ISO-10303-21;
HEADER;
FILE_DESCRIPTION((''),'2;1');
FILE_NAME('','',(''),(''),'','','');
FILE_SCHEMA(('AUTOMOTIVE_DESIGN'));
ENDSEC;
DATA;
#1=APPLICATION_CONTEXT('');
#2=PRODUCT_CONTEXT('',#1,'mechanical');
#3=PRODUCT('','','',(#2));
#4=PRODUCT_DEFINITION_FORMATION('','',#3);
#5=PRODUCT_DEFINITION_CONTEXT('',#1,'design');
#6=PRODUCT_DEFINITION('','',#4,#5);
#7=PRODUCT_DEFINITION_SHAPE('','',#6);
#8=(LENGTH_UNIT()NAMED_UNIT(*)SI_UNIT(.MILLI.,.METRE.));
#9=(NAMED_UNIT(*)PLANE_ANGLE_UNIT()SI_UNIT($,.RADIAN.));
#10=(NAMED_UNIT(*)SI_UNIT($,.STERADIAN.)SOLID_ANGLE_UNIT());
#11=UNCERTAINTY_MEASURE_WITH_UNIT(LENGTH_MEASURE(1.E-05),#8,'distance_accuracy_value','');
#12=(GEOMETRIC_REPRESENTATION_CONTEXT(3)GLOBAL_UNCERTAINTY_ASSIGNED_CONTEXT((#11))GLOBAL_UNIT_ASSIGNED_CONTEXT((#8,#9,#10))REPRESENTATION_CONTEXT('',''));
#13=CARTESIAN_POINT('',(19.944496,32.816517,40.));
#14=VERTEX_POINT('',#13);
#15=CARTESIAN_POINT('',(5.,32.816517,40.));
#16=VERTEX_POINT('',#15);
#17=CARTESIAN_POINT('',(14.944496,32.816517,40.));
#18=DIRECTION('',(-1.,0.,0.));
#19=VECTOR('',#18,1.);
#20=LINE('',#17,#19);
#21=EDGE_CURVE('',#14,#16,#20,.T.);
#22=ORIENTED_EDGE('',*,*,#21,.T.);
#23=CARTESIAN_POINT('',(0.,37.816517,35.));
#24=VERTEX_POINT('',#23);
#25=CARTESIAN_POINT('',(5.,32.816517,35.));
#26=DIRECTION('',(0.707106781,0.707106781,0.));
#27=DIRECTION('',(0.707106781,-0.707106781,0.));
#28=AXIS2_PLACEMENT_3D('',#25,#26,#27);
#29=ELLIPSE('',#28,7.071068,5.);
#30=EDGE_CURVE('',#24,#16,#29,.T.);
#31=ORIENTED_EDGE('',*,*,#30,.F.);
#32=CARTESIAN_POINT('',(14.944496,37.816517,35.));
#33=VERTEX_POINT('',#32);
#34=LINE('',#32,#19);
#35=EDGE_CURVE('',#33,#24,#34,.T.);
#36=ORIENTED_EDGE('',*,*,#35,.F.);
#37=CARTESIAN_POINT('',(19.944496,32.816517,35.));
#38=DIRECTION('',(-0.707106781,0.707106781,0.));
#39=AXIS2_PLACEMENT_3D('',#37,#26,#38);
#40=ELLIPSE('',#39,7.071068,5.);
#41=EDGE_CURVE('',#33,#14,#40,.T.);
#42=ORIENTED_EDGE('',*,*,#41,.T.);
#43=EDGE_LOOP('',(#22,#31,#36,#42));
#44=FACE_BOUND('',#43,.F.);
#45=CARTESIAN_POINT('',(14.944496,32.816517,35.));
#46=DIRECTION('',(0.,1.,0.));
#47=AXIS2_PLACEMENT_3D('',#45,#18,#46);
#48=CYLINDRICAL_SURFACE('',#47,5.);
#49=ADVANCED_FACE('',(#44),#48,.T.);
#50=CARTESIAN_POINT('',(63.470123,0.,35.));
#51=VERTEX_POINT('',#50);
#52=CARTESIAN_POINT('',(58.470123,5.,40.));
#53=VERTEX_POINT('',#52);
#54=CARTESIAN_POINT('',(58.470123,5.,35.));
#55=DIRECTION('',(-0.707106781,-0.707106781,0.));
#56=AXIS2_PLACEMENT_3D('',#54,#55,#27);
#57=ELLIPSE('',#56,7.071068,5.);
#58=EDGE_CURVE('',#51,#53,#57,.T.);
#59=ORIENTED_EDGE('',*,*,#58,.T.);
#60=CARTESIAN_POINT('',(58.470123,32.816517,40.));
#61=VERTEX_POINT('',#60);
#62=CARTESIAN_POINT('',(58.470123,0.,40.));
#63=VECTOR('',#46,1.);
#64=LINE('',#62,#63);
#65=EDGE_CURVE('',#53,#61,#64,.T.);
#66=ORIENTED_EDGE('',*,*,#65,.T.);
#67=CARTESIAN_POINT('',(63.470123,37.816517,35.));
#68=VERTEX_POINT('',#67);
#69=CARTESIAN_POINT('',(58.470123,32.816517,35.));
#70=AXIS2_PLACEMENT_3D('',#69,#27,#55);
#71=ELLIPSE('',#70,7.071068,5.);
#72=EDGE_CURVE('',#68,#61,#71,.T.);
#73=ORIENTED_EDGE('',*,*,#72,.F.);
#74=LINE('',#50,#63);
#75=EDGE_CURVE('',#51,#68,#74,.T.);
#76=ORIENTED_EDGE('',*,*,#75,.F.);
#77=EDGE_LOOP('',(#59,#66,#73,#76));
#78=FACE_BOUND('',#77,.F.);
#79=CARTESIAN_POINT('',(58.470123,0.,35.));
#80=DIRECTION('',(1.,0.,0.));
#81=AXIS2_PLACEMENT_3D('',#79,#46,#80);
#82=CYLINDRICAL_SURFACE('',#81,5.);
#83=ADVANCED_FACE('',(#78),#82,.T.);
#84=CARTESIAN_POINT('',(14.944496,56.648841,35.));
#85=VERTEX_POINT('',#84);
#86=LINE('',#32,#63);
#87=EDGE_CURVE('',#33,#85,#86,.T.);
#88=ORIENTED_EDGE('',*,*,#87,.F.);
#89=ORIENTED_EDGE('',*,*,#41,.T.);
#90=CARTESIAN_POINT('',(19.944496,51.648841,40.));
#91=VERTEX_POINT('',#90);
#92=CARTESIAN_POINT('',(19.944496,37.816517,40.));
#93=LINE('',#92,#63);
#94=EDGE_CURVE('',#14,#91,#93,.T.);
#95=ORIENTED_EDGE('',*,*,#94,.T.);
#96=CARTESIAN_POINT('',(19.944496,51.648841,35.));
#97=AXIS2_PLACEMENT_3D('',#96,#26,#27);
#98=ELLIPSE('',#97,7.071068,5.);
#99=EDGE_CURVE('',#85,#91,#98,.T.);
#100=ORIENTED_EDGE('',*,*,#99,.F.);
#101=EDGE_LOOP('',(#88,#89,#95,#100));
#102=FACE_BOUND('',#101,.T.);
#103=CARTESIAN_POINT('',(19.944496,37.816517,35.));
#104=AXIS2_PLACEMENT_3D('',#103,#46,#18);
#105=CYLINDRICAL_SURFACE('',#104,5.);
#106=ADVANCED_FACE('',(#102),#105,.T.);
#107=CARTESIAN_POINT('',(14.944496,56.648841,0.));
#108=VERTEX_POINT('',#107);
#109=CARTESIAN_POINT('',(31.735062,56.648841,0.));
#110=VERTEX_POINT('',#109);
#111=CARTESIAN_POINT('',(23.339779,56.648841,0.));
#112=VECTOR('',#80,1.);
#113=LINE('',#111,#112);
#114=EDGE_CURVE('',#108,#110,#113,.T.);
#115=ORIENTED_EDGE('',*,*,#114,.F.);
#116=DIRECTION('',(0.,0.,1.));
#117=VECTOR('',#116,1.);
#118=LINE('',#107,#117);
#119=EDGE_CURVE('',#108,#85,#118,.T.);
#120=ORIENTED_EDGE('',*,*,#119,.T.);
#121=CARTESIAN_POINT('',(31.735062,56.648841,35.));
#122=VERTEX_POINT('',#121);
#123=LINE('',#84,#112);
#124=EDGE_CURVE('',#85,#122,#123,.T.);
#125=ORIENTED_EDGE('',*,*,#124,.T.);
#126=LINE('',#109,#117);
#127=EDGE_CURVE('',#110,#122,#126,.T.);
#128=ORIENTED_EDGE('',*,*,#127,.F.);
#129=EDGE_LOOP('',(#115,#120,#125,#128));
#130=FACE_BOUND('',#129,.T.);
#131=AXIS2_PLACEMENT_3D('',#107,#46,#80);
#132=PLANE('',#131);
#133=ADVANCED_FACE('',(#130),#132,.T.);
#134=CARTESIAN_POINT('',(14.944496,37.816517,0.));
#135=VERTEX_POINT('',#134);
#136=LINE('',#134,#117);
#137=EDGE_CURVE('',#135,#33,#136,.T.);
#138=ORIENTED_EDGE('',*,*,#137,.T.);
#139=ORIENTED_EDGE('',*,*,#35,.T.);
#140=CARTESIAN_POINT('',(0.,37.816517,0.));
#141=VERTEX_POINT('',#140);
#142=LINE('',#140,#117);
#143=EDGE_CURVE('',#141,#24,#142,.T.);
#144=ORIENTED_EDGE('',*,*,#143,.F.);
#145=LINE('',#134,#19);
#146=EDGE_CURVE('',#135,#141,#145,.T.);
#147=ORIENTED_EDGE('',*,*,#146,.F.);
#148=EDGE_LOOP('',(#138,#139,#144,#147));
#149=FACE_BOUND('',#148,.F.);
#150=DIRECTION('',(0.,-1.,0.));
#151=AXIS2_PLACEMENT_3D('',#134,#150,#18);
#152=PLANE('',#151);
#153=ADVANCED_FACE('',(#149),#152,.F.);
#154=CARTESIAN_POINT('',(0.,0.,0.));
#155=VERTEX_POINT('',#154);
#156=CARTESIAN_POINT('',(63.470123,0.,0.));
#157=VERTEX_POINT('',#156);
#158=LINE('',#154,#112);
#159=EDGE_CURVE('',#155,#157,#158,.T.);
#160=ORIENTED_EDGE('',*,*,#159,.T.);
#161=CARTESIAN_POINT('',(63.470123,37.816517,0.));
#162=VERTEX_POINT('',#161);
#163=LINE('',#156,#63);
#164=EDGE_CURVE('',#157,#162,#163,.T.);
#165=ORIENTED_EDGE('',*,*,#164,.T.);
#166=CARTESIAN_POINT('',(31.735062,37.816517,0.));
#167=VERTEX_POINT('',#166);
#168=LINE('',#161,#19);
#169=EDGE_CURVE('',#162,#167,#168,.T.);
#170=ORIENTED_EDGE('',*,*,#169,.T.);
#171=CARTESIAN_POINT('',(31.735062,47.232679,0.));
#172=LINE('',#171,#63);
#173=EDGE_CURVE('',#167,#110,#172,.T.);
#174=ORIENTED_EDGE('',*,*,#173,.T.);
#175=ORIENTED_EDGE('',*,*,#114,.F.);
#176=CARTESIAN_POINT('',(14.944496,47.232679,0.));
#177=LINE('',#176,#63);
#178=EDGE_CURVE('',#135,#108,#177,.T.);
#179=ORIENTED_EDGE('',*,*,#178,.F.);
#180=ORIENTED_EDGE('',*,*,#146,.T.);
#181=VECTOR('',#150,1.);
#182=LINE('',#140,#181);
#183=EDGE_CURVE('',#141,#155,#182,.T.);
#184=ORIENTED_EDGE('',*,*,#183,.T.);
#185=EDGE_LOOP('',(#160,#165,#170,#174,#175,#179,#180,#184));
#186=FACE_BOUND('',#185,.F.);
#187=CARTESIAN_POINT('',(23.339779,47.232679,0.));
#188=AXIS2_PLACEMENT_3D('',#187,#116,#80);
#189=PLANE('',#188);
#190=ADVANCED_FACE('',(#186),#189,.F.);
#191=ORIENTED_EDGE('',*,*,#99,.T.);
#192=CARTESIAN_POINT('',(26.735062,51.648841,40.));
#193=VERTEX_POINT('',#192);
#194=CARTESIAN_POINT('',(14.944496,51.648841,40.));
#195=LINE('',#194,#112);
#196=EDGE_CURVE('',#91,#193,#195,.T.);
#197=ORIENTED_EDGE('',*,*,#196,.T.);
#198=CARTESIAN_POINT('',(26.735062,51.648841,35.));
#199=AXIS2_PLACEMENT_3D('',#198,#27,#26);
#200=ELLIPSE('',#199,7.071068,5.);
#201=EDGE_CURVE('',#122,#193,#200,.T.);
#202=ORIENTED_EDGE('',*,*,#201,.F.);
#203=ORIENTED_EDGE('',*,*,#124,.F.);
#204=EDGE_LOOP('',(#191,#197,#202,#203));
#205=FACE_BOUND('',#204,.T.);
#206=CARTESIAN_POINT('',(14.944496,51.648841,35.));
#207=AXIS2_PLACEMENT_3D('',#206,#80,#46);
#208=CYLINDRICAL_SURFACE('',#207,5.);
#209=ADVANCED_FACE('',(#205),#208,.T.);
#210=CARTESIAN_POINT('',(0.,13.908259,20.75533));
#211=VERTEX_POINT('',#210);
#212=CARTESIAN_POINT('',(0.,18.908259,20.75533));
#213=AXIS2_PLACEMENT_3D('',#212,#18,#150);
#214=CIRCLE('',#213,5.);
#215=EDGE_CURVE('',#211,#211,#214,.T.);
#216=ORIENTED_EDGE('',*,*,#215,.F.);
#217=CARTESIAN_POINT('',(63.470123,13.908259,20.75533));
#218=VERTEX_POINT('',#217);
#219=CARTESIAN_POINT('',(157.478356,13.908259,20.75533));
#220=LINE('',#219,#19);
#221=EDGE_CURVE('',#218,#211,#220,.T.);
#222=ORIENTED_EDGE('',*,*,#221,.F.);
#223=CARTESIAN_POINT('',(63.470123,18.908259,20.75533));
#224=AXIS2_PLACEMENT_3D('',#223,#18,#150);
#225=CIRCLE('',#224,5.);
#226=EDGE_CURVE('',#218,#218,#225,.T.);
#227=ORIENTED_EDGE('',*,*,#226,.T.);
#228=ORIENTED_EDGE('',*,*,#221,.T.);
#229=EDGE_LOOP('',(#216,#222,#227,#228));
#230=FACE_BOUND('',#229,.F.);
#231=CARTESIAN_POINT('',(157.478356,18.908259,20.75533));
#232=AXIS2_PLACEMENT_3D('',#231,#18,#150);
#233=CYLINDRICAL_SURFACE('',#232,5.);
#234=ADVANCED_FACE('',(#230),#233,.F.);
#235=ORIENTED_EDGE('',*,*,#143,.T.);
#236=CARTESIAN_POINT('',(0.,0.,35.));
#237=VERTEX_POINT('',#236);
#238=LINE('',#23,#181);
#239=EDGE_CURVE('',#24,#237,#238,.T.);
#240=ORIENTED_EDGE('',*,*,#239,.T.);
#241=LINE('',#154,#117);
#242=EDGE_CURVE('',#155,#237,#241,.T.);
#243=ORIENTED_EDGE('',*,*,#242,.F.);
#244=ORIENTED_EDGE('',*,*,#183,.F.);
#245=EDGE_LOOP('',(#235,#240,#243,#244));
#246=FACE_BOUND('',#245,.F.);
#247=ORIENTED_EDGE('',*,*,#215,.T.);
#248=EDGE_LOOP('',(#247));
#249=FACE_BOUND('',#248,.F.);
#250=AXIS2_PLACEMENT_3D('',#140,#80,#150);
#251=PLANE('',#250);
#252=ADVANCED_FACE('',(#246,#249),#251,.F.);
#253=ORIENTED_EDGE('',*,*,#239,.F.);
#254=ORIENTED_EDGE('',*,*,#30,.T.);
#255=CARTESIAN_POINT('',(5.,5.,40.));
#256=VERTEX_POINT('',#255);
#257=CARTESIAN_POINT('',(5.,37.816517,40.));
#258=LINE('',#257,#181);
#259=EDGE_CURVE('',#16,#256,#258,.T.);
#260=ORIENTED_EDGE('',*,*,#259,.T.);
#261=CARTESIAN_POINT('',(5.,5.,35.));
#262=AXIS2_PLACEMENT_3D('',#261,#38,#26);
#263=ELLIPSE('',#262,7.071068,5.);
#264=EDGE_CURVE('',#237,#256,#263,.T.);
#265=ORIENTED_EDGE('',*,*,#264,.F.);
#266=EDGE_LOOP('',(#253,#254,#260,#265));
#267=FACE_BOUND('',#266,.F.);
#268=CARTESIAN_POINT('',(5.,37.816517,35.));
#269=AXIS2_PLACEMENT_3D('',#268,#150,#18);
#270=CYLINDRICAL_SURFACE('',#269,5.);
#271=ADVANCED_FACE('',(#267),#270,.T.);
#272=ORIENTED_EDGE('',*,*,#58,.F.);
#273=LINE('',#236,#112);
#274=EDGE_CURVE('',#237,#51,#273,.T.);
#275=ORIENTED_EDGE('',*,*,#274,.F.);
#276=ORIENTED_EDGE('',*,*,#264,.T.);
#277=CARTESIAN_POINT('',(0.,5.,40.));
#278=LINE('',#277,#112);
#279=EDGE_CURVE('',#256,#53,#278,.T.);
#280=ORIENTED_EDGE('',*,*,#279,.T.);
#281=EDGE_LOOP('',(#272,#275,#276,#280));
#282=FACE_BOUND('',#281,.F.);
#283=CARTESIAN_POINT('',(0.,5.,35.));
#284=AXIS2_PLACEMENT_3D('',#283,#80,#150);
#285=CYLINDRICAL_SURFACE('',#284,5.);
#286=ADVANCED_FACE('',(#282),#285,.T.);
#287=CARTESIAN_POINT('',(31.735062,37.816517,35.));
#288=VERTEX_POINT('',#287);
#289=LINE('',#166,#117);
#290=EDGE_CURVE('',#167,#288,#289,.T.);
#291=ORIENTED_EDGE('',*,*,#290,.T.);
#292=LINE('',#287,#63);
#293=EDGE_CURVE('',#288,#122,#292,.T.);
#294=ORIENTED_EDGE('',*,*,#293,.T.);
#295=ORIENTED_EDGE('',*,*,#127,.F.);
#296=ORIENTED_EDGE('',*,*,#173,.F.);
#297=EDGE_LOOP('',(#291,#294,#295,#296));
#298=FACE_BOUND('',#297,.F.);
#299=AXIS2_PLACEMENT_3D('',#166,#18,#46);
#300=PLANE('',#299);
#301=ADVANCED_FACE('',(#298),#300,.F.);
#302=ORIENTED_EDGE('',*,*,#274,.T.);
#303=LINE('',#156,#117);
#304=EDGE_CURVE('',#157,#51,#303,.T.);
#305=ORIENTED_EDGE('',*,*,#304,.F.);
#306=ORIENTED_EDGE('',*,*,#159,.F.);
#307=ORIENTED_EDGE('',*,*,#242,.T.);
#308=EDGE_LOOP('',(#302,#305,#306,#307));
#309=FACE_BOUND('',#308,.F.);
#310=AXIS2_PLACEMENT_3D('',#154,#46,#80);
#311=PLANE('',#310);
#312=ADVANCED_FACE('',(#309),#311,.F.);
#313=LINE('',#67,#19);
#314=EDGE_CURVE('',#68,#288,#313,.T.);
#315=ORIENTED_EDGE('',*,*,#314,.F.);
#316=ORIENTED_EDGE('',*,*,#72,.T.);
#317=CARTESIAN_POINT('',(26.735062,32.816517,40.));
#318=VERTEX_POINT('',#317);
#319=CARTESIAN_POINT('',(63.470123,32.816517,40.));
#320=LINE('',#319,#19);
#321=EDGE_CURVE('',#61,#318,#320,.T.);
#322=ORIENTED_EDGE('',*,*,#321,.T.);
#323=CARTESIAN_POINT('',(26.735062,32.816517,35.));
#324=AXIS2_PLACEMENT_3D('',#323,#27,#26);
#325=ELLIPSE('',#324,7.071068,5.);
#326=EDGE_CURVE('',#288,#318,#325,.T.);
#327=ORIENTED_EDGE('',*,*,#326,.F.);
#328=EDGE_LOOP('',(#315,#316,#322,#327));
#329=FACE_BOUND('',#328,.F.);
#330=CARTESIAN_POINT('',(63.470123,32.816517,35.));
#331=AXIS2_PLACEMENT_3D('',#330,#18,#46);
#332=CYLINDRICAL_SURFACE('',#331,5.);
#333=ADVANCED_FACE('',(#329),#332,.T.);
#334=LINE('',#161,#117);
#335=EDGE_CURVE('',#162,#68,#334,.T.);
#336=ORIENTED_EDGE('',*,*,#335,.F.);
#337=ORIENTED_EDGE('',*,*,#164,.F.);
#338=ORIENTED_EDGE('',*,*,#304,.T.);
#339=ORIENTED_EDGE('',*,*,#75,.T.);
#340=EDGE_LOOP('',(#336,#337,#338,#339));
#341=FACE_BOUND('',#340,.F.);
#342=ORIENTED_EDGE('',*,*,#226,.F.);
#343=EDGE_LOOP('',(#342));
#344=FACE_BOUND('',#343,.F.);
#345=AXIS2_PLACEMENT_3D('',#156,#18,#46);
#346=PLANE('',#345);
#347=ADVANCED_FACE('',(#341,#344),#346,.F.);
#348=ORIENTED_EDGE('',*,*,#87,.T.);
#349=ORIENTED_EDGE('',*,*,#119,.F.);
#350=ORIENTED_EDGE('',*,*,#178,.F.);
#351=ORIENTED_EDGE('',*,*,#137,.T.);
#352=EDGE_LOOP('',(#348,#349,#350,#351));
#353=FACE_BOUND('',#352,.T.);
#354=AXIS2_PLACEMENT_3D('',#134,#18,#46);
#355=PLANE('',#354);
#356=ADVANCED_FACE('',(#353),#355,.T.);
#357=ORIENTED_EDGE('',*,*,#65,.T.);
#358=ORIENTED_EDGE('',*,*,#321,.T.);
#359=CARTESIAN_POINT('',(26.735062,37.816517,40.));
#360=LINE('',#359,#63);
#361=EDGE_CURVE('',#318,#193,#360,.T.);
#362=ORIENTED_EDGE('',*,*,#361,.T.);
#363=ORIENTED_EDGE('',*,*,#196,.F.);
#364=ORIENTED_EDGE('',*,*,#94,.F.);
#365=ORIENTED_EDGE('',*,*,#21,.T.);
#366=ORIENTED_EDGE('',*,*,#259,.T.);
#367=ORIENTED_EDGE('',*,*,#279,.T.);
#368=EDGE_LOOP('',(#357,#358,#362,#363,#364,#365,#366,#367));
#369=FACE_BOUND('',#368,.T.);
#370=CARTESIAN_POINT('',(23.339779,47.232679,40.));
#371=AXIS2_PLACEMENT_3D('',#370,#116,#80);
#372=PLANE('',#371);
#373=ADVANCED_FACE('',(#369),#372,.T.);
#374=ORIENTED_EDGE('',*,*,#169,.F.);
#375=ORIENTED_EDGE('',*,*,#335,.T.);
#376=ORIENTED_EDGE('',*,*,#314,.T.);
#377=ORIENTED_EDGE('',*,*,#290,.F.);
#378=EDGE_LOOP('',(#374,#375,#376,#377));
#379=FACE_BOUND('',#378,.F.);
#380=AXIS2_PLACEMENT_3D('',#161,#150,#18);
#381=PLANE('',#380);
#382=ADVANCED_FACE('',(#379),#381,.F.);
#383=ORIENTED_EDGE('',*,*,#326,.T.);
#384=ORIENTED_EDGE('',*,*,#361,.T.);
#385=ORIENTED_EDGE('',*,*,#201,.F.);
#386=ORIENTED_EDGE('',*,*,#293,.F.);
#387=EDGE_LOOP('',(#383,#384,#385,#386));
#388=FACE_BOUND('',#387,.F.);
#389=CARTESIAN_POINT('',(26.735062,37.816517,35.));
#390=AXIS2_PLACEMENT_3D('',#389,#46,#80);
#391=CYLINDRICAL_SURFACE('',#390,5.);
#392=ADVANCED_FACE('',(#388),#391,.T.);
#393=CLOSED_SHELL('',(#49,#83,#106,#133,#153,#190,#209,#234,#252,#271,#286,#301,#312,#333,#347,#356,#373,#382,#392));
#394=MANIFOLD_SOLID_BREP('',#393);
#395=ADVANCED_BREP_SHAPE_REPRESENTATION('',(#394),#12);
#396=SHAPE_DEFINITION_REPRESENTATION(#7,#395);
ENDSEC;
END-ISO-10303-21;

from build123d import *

# Parameters (mm, degrees)
F0_W     = 16.7905660346
F0_H     = 18.8323240727
F1_DEPTH = 40
F2_R     = 5
F4_D     = 10


with BuildPart() as f1:
    # F0 (on Top) → F1 (new body)
    with BuildSketch(Plane.XY):
        with Locations((23.3397786506, 47.2326790914)):
            Rectangle(F0_W, F0_H)
        Polygon((0, 37.816517055), (0, 0), (63.4701233357, 0), (63.4701233357, 37.816517055), (31.7350616679, 37.816517055), (14.9444956332, 37.816517055), align=None)
    extrude(amount=F1_DEPTH)

    # F2
    f2_edges = [f1.edges().sort_by_distance(p)[0] for p in [
        (31.735062, 47.232679, 40),
        (23.339779, 56.648841, 40),
        (31.735062, 0, 40),
        (0, 18.908259, 40),
        (47.602593, 37.816517, 40),
        (63.470123, 18.908259, 40),
        (14.944496, 47.232679, 40),
        (7.472248, 37.816517, 40),
    ]]
    fillet(f2_edges, radius=F2_R)

    # F4 (through all)
    with Locations(Plane.YZ.offset(63.4701233357)):
        with Locations((18.9082585275, 20.7553303242)):
            Hole(F4_D / 2)


solid = f1.part
